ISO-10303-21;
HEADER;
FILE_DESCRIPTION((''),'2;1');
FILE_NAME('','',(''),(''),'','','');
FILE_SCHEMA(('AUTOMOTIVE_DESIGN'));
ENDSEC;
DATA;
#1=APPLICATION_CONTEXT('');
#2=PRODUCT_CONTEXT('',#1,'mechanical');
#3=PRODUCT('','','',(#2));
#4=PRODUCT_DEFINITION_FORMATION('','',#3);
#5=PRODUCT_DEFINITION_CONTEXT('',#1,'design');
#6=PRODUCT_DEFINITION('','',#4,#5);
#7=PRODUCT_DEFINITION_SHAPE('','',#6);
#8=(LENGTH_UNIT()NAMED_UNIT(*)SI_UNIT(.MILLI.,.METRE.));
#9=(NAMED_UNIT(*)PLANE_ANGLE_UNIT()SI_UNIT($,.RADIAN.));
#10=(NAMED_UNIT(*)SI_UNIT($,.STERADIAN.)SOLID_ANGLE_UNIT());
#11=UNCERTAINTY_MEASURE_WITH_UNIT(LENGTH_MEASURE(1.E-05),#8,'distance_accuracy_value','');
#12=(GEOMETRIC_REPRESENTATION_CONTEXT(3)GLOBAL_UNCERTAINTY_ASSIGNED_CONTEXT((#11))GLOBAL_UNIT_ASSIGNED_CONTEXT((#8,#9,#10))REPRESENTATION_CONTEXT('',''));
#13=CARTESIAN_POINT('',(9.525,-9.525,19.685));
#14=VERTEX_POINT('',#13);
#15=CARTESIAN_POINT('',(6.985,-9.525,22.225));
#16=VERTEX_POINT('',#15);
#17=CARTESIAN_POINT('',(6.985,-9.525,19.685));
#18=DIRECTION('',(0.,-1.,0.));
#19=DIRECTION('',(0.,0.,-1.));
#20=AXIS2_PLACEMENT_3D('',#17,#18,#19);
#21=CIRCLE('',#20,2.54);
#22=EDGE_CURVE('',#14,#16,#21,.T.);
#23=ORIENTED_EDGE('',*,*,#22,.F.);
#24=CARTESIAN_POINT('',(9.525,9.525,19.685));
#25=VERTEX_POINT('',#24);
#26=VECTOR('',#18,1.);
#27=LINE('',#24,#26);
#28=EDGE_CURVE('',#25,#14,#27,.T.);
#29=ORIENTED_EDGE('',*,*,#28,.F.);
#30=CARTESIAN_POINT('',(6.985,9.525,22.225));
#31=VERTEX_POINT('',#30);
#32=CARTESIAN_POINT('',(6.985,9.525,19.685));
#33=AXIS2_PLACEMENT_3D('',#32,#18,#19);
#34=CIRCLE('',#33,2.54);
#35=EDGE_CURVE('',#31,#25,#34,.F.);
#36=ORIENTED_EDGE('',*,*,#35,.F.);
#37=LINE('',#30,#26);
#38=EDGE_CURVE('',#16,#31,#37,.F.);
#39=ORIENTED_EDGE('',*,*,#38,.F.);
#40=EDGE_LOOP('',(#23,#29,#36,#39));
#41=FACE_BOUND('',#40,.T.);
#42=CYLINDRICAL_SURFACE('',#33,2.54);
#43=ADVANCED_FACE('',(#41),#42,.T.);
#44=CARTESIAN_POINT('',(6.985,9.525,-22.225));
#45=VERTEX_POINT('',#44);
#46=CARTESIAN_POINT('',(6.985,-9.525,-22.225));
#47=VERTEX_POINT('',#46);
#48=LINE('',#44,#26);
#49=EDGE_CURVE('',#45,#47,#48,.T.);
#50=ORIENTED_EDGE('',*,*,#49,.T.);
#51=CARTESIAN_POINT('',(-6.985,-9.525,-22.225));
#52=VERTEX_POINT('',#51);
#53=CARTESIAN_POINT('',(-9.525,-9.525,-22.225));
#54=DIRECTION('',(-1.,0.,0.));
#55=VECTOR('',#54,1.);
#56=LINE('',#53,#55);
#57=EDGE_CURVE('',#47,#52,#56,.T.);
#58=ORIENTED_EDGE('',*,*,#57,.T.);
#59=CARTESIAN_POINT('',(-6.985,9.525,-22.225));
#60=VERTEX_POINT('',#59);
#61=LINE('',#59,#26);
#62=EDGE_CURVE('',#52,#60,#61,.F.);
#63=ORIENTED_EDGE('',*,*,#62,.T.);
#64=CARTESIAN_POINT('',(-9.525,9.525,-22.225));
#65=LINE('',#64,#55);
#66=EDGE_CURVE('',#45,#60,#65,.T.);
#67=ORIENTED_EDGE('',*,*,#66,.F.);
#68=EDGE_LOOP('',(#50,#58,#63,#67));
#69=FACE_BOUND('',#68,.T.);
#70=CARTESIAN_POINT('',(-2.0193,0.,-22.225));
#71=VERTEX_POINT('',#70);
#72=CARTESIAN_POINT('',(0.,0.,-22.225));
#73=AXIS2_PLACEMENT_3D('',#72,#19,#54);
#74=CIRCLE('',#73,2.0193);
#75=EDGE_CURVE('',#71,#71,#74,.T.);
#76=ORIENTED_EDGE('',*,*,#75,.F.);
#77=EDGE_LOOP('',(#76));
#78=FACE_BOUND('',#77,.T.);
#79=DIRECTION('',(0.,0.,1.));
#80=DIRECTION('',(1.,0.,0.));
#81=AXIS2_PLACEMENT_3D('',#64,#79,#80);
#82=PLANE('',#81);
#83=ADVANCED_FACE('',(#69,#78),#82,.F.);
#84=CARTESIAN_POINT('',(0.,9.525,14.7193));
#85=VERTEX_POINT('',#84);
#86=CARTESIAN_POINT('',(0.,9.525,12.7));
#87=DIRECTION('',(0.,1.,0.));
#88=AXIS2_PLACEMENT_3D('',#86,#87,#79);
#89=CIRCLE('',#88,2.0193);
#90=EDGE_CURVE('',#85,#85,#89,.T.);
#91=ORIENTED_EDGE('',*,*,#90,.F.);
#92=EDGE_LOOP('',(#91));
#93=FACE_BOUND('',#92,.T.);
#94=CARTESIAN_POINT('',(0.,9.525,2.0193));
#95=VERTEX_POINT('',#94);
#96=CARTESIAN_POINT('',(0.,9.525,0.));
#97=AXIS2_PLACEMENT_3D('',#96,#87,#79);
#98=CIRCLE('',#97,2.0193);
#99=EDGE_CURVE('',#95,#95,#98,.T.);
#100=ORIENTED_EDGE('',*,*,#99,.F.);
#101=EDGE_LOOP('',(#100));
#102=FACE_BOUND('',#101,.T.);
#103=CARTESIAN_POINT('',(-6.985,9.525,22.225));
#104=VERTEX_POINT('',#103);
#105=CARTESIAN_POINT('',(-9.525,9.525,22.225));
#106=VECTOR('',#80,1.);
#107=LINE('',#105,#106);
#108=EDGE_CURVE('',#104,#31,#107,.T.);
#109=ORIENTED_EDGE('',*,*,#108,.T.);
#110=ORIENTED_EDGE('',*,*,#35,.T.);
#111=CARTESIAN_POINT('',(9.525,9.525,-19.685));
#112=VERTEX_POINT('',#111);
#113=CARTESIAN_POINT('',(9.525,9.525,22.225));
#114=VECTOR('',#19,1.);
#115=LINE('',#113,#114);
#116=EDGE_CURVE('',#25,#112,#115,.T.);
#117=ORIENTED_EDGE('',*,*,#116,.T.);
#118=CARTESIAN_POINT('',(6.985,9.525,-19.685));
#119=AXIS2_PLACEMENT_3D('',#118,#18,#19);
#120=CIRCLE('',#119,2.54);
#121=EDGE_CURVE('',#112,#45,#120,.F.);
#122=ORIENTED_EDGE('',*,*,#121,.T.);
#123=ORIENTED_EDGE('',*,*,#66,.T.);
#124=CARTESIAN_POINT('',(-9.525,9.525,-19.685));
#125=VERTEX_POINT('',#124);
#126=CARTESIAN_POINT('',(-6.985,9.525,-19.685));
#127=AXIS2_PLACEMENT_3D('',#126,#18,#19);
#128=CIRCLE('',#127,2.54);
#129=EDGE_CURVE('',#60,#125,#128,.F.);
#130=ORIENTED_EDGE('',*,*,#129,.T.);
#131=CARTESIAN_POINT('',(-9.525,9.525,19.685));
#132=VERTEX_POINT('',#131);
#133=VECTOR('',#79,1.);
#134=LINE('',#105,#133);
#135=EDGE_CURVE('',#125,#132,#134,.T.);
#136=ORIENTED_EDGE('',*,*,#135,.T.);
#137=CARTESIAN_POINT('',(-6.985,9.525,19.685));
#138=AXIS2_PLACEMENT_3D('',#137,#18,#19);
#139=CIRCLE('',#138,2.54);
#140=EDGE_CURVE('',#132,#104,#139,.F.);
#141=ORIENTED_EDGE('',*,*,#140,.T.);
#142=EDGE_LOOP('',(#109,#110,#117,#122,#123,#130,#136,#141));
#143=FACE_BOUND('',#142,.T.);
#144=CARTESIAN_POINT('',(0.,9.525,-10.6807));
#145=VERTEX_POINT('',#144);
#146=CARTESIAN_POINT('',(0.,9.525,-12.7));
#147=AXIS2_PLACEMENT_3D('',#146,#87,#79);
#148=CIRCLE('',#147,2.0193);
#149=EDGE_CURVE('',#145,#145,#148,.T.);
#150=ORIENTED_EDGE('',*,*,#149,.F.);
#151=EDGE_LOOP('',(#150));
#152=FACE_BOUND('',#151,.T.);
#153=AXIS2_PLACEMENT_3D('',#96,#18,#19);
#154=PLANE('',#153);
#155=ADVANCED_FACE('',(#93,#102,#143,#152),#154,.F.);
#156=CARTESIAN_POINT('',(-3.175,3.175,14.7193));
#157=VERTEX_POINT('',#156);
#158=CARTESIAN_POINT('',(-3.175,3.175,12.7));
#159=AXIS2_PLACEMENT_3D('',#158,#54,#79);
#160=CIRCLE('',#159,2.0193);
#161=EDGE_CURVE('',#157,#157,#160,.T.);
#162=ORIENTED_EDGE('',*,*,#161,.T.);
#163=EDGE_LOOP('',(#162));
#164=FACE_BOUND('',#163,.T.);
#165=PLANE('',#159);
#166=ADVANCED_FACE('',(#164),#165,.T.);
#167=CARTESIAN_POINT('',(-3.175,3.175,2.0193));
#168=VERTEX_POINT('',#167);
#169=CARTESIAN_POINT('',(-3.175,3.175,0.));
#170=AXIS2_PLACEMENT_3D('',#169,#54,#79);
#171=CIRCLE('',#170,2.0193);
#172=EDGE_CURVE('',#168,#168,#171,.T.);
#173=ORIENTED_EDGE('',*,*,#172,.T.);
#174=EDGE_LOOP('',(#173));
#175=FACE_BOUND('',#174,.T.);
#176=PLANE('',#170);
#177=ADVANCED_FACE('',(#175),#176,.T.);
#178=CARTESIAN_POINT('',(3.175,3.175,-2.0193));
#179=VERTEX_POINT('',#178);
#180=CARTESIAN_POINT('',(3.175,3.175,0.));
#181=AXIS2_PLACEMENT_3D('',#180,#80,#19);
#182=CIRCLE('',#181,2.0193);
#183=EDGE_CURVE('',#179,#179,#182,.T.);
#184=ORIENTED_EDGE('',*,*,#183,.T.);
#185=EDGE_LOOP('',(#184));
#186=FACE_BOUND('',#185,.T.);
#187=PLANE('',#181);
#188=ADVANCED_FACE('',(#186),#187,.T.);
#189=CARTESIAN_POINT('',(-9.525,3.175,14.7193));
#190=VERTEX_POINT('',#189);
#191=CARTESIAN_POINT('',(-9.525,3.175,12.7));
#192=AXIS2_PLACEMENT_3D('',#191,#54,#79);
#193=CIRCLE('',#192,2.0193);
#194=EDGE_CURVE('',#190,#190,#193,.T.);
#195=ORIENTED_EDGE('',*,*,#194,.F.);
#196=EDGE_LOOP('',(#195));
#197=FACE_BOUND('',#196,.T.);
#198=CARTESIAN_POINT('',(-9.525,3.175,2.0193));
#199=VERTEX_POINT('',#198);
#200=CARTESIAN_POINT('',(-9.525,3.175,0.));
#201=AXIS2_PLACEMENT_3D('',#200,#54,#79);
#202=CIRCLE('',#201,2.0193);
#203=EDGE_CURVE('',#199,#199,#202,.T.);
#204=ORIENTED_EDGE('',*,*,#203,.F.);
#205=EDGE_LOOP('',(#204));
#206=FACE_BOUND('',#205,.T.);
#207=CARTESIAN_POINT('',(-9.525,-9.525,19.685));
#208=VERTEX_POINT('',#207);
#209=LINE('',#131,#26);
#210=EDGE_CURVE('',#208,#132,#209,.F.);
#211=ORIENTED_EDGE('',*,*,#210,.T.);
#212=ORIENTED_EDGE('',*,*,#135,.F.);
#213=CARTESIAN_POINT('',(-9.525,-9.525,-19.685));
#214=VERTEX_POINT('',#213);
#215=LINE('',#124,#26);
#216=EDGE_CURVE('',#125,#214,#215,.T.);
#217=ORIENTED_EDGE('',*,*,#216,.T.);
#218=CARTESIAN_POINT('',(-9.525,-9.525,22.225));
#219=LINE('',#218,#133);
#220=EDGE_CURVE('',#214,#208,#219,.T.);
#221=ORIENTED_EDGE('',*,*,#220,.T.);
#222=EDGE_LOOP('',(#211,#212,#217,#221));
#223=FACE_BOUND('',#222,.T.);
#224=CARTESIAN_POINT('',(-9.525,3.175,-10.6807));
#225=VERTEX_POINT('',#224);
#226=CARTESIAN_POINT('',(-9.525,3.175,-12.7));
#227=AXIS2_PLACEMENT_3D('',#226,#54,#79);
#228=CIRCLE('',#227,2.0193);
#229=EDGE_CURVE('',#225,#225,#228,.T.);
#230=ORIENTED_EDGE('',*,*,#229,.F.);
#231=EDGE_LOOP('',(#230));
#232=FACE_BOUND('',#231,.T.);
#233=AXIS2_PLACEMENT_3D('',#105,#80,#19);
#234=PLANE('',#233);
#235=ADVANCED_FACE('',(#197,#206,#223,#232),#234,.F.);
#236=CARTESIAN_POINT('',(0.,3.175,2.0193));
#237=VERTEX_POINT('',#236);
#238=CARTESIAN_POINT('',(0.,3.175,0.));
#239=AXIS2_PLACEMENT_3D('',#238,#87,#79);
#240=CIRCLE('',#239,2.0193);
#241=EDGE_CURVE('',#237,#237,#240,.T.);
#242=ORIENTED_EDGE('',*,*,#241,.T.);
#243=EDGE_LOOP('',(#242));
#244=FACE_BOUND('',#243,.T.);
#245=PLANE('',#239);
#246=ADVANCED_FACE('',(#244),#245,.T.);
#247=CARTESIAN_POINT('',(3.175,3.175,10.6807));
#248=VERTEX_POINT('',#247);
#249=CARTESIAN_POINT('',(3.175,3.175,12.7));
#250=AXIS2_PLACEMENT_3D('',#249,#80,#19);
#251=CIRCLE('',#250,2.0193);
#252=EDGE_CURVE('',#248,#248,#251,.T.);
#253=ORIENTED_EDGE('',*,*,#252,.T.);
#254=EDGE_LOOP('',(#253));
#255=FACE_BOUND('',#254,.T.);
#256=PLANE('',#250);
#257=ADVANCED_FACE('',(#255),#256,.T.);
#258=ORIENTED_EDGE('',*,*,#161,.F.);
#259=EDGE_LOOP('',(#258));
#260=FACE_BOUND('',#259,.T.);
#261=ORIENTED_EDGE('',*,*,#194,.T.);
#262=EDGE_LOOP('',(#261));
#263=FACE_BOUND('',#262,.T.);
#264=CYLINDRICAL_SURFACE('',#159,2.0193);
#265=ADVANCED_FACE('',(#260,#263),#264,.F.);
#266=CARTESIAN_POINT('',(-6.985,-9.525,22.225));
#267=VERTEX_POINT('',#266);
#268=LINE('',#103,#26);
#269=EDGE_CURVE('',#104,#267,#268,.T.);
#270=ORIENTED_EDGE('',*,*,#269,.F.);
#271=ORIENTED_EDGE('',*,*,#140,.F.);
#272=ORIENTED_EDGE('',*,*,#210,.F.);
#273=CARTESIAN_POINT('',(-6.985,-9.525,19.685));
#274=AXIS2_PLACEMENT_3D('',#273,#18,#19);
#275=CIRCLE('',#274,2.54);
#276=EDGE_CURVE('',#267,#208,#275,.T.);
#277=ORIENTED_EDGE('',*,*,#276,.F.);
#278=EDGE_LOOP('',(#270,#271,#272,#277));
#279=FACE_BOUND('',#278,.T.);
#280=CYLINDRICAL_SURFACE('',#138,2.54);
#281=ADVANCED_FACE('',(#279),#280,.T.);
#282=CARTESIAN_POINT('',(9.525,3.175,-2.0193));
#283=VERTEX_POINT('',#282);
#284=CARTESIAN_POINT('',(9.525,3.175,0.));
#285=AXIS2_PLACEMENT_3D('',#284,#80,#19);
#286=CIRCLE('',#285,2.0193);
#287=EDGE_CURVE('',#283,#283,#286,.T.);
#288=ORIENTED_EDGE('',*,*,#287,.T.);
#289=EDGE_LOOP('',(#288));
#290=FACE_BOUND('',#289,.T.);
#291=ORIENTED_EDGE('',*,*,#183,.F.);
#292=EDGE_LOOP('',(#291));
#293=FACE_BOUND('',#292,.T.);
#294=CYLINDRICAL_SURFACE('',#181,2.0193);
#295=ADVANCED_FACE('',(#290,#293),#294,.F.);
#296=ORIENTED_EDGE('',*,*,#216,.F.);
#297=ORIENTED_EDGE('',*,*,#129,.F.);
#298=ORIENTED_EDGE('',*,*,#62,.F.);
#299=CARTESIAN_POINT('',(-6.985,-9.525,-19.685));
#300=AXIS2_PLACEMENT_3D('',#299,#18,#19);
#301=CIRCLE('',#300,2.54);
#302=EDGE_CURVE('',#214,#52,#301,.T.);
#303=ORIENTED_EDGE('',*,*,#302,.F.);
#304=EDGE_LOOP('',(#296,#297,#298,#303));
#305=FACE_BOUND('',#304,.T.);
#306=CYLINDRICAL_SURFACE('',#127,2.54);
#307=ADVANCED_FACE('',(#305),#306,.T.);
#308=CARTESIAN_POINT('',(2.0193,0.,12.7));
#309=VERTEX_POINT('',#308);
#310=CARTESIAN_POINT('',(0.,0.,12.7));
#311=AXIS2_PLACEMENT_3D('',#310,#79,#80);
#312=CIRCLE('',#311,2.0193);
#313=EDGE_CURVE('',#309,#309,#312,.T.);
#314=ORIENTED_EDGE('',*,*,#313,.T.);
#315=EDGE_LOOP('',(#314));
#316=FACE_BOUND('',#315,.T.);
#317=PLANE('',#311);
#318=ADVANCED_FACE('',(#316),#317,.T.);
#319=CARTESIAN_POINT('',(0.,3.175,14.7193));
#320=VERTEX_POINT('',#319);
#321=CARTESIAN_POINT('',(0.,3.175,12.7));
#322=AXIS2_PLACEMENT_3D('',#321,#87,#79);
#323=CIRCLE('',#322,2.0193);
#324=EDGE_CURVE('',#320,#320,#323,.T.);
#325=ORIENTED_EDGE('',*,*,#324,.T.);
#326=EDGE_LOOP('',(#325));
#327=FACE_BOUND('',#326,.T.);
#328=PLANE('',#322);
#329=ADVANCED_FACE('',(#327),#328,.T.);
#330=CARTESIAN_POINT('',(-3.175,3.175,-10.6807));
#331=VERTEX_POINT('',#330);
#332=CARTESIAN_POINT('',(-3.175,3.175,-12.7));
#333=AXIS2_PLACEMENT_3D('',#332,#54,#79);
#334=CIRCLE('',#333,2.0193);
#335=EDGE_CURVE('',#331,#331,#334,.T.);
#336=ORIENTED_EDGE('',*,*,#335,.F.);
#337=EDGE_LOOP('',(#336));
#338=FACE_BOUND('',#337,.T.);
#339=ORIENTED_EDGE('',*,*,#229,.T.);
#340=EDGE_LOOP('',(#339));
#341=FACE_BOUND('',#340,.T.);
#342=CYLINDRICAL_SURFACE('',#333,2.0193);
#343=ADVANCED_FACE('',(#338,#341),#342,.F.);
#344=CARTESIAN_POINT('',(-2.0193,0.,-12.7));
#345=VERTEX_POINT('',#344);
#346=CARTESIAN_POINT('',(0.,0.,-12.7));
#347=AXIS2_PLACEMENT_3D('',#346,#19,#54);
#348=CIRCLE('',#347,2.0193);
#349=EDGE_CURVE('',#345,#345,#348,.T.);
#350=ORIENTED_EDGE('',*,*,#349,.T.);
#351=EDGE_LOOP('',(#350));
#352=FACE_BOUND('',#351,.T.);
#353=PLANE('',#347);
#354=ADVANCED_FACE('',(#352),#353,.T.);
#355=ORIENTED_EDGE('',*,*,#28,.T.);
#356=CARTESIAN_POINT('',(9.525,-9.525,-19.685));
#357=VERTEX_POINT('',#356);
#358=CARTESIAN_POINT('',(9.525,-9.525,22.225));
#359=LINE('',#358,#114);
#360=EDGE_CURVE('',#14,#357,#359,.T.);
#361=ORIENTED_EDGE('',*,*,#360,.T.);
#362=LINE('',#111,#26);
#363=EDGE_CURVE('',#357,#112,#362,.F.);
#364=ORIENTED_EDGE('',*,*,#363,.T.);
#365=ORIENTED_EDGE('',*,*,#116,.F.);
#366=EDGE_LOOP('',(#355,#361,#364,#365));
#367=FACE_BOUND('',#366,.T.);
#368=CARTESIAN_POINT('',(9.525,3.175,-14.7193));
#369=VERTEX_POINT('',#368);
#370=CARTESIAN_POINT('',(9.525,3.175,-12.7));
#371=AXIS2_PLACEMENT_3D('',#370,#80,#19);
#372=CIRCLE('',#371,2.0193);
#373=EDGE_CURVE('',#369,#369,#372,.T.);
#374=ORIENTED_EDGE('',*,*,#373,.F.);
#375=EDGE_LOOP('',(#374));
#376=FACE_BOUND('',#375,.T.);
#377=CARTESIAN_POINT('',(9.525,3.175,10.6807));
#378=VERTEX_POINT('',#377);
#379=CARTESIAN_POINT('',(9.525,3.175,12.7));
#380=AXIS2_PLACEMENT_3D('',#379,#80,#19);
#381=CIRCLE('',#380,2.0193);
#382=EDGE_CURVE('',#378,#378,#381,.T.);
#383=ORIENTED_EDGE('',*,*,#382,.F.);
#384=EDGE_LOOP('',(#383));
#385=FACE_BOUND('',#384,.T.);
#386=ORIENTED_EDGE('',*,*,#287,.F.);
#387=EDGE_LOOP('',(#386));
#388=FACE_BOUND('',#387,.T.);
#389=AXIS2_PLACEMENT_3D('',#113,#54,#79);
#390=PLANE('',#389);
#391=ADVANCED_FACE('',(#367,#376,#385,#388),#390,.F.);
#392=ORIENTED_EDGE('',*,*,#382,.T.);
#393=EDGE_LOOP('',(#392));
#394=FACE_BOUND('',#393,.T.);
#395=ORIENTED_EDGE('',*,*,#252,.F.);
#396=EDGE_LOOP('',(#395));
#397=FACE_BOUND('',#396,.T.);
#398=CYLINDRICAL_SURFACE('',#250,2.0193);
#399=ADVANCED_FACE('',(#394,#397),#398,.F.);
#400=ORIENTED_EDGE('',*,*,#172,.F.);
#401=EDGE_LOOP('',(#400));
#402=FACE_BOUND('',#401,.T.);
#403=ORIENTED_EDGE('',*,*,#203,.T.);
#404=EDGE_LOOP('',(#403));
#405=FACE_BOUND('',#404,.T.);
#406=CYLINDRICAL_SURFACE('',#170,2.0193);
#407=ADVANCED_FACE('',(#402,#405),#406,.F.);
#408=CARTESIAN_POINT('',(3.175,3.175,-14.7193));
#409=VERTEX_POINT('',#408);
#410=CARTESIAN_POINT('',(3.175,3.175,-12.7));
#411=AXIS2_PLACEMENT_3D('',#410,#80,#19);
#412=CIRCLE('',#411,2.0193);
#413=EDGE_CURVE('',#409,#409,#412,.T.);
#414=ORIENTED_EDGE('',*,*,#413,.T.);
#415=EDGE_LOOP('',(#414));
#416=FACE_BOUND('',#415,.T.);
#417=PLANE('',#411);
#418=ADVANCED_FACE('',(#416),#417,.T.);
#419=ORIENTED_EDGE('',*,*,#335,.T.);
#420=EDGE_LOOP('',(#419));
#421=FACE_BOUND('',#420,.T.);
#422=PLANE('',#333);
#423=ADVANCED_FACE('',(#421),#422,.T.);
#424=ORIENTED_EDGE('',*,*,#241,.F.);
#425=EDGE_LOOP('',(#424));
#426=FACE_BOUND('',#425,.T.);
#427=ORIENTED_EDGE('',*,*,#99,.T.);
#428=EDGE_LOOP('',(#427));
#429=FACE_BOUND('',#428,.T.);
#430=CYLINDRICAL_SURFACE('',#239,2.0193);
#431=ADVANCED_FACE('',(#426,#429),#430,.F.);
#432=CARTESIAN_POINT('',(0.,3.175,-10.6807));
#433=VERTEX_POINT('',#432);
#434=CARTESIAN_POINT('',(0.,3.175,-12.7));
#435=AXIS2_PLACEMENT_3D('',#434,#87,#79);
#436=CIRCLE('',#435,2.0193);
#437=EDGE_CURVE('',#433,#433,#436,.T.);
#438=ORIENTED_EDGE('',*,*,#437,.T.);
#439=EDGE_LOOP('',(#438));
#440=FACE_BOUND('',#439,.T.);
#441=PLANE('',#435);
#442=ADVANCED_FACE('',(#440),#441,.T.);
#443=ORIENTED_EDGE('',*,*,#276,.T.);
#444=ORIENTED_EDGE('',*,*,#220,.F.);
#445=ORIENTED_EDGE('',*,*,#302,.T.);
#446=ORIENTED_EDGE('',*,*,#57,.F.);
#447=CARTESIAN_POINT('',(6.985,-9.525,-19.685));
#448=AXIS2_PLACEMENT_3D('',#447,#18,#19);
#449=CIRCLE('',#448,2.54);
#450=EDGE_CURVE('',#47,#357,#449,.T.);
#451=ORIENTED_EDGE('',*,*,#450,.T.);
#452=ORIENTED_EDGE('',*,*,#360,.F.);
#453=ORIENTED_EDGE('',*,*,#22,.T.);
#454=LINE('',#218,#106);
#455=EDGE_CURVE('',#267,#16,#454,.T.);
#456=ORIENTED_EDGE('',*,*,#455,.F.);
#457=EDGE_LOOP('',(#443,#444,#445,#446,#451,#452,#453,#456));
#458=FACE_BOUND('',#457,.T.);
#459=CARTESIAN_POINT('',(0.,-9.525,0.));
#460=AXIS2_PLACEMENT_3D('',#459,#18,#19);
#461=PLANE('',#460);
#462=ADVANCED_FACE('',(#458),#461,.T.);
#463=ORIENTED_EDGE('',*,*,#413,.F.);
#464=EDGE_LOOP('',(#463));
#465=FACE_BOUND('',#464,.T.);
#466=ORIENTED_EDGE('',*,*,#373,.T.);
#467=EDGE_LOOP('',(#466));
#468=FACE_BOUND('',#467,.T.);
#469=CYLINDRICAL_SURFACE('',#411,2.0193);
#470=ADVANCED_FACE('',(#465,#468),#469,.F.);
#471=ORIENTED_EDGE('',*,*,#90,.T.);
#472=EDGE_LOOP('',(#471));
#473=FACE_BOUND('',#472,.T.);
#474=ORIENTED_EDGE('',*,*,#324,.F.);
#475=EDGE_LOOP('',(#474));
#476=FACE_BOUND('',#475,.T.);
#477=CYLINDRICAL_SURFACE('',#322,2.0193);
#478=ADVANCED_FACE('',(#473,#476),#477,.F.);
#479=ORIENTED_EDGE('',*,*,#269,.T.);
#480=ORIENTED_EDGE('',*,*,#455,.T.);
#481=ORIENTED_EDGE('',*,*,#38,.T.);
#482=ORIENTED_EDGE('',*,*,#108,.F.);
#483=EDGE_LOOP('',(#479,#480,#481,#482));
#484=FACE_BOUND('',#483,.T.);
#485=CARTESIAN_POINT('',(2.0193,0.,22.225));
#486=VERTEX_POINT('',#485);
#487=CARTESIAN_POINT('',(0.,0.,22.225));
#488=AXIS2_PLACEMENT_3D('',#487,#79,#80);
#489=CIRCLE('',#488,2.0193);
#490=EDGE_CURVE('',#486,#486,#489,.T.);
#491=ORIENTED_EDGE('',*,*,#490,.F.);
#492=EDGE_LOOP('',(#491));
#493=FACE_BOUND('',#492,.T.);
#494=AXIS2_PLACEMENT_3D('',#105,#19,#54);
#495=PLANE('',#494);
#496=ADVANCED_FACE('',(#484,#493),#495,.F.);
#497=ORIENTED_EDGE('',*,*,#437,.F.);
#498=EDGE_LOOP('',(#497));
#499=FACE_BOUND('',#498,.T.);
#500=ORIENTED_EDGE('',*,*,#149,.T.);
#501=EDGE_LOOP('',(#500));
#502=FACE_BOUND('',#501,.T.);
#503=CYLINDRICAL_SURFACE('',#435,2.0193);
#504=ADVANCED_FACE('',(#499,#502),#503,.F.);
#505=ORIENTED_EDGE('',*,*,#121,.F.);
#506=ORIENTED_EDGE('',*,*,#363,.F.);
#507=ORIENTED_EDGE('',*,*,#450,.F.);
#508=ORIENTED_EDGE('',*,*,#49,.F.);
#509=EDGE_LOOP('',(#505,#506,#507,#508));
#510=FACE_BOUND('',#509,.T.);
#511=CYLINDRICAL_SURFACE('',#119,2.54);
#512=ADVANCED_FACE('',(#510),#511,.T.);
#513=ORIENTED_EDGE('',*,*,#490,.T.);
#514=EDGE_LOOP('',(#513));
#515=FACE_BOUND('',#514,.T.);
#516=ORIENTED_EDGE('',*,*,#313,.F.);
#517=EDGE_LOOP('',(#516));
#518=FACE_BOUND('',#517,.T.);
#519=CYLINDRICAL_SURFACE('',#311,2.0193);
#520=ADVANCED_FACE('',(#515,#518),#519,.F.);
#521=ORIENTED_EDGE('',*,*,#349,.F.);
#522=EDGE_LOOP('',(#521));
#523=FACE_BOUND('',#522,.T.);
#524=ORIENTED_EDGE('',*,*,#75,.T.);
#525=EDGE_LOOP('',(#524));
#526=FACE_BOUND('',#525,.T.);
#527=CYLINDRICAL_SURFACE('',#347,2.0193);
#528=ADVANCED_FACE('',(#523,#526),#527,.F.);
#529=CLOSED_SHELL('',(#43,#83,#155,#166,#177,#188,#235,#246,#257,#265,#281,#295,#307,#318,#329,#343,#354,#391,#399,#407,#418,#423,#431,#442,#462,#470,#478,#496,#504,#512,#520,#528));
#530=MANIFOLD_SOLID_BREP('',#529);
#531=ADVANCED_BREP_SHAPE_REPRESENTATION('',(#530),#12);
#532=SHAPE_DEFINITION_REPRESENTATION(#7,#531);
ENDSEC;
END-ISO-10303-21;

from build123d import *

# Parameters (mm, degrees)
SKETCH1_W           = 19.05
SKETCH1_H           = 44.45
BOSS_EXTRUDE1_DEPTH = 9.525
SKETCH2_R           = 2.0193
CUT_EXTRUDE1_DEPTH  = 9.525
SKETCH3_R           = 2.0193
CUT_EXTRUDE2_DEPTH  = 9.525
SKETCH4_R           = 2.0193
CUT_EXTRUDE3_DEPTH  = 6.35
SKETCH5_R           = 2.0193
CUT_EXTRUDE4_DEPTH  = 6.35
SKETCH6_R           = 2.0193
CUT_EXTRUDE5_DEPTH  = 6.35
FILLET1_R           = 2.54


with BuildPart() as part:
    # Sketch1 → Boss-Extrude1 (new body, symmetric)
    with BuildSketch(Plane(origin=(0, 0, 0), x_dir=(1, 0, 0), z_dir=(0, 1, 0))):
        Rectangle(SKETCH1_W, SKETCH1_H)
    extrude(amount=BOSS_EXTRUDE1_DEPTH, both=True)

    # Sketch2 → Cut-Extrude1 (cut)
    with BuildSketch(Plane.XY.offset(22.225)):
        Circle(SKETCH2_R)
    extrude(amount=-CUT_EXTRUDE1_DEPTH, mode=Mode.SUBTRACT)

    # Sketch3 → Cut-Extrude2 (cut)
    with BuildSketch(Plane(origin=(0, 0, -22.225), x_dir=(-1, 0, 0), z_dir=(0, 0, -1))):
        Circle(SKETCH3_R)
    extrude(amount=-CUT_EXTRUDE2_DEPTH, mode=Mode.SUBTRACT)

    # Sketch4 → Cut-Extrude3 (cut)
    with BuildSketch(Plane(origin=(9.525, 0, 0), x_dir=(0, 0, -1), z_dir=(1, 0, 0))):
        with Locations((-12.7, 3.175)):
            Circle(SKETCH4_R)
        with Locations((12.7, 3.175)):
            Circle(SKETCH4_R)
        with Locations((0, 3.175)):
            Circle(SKETCH4_R)
    extrude(amount=-CUT_EXTRUDE3_DEPTH, mode=Mode.SUBTRACT)

    # Sketch5 → Cut-Extrude4 (cut)
    with BuildSketch(Plane.ZY.offset(9.525)):
        with Locations((-12.7, 3.175)):
            Circle(SKETCH5_R)
        with Locations((0, 3.175)):
            Circle(SKETCH5_R)
        with Locations((12.7, 3.175)):
            Circle(SKETCH5_R)
    extrude(amount=-CUT_EXTRUDE4_DEPTH, mode=Mode.SUBTRACT)

    # Sketch6 → Cut-Extrude5 (cut)
    with BuildSketch(Plane(origin=(0, 9.525, 0), x_dir=(1, 0, 0), z_dir=(0, 1, 0))):
        with Locations((0, 12.7)):
            Circle(SKETCH6_R)
        Circle(SKETCH6_R)
        with Locations((0, -12.7)):
            Circle(SKETCH6_R)
    extrude(amount=-CUT_EXTRUDE5_DEPTH, mode=Mode.SUBTRACT)

    # Fillet1
    fillet1_edges = [part.edges().sort_by_distance(p)[0] for p in [
        (9.525, 0, 22.225),
        (-9.525, 0, 22.225),
        (-9.525, 0, -22.225),
        (9.525, 0, -22.225),
    ]]
    fillet(fillet1_edges, radius=FILLET1_R)


solid = part.part
